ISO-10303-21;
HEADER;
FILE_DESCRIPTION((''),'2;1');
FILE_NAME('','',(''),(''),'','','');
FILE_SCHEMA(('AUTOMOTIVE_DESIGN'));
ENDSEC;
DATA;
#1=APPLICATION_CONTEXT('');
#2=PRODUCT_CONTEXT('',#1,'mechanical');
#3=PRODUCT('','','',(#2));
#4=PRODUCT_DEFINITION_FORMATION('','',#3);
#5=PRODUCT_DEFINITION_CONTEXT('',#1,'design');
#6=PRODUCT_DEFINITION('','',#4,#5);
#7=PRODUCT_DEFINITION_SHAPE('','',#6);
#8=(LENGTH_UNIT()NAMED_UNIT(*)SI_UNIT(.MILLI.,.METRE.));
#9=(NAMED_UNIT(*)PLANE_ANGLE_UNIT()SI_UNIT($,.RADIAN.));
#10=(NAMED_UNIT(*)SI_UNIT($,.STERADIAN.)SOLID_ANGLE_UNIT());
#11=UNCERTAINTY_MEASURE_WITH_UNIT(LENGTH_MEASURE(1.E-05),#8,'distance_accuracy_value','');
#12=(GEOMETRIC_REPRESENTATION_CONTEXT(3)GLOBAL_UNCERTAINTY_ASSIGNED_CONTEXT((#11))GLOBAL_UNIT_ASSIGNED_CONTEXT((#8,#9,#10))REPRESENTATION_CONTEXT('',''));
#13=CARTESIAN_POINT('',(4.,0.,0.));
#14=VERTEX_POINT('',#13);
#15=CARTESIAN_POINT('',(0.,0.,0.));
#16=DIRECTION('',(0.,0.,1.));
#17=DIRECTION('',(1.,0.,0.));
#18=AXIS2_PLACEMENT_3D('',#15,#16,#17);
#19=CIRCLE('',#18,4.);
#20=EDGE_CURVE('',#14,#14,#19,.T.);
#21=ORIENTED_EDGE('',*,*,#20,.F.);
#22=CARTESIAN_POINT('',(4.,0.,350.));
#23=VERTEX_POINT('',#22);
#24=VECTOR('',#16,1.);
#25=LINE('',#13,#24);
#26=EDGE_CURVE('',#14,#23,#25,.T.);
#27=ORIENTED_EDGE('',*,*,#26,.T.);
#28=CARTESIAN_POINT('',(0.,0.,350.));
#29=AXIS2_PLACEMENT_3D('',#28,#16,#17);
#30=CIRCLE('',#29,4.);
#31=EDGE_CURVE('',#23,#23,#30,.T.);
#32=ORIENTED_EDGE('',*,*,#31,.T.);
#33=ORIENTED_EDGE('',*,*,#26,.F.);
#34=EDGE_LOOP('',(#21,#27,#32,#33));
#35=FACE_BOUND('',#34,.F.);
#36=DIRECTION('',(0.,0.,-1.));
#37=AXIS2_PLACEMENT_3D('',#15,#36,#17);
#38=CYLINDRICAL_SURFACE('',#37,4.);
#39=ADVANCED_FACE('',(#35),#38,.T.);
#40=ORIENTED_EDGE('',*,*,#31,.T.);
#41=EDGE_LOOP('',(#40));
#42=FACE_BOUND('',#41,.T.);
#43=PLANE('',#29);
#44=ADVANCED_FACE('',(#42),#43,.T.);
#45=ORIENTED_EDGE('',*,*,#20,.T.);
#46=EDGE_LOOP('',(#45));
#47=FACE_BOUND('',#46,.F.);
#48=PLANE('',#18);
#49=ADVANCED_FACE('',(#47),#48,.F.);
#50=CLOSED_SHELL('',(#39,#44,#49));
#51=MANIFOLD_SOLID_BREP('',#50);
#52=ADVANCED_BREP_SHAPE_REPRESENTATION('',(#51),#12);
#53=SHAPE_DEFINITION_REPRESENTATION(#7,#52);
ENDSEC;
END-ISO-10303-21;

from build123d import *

# Parameters (mm, degrees)
ESQUISSE1_R        = 4
BOSS_EXTRU_1_DEPTH = 350


with BuildPart() as part:
    # Esquisse1 → Boss.-Extru.1 (new body)
    with BuildSketch(Plane.XY):
        Circle(ESQUISSE1_R)
    extrude(amount=BOSS_EXTRU_1_DEPTH)


solid = part.part
